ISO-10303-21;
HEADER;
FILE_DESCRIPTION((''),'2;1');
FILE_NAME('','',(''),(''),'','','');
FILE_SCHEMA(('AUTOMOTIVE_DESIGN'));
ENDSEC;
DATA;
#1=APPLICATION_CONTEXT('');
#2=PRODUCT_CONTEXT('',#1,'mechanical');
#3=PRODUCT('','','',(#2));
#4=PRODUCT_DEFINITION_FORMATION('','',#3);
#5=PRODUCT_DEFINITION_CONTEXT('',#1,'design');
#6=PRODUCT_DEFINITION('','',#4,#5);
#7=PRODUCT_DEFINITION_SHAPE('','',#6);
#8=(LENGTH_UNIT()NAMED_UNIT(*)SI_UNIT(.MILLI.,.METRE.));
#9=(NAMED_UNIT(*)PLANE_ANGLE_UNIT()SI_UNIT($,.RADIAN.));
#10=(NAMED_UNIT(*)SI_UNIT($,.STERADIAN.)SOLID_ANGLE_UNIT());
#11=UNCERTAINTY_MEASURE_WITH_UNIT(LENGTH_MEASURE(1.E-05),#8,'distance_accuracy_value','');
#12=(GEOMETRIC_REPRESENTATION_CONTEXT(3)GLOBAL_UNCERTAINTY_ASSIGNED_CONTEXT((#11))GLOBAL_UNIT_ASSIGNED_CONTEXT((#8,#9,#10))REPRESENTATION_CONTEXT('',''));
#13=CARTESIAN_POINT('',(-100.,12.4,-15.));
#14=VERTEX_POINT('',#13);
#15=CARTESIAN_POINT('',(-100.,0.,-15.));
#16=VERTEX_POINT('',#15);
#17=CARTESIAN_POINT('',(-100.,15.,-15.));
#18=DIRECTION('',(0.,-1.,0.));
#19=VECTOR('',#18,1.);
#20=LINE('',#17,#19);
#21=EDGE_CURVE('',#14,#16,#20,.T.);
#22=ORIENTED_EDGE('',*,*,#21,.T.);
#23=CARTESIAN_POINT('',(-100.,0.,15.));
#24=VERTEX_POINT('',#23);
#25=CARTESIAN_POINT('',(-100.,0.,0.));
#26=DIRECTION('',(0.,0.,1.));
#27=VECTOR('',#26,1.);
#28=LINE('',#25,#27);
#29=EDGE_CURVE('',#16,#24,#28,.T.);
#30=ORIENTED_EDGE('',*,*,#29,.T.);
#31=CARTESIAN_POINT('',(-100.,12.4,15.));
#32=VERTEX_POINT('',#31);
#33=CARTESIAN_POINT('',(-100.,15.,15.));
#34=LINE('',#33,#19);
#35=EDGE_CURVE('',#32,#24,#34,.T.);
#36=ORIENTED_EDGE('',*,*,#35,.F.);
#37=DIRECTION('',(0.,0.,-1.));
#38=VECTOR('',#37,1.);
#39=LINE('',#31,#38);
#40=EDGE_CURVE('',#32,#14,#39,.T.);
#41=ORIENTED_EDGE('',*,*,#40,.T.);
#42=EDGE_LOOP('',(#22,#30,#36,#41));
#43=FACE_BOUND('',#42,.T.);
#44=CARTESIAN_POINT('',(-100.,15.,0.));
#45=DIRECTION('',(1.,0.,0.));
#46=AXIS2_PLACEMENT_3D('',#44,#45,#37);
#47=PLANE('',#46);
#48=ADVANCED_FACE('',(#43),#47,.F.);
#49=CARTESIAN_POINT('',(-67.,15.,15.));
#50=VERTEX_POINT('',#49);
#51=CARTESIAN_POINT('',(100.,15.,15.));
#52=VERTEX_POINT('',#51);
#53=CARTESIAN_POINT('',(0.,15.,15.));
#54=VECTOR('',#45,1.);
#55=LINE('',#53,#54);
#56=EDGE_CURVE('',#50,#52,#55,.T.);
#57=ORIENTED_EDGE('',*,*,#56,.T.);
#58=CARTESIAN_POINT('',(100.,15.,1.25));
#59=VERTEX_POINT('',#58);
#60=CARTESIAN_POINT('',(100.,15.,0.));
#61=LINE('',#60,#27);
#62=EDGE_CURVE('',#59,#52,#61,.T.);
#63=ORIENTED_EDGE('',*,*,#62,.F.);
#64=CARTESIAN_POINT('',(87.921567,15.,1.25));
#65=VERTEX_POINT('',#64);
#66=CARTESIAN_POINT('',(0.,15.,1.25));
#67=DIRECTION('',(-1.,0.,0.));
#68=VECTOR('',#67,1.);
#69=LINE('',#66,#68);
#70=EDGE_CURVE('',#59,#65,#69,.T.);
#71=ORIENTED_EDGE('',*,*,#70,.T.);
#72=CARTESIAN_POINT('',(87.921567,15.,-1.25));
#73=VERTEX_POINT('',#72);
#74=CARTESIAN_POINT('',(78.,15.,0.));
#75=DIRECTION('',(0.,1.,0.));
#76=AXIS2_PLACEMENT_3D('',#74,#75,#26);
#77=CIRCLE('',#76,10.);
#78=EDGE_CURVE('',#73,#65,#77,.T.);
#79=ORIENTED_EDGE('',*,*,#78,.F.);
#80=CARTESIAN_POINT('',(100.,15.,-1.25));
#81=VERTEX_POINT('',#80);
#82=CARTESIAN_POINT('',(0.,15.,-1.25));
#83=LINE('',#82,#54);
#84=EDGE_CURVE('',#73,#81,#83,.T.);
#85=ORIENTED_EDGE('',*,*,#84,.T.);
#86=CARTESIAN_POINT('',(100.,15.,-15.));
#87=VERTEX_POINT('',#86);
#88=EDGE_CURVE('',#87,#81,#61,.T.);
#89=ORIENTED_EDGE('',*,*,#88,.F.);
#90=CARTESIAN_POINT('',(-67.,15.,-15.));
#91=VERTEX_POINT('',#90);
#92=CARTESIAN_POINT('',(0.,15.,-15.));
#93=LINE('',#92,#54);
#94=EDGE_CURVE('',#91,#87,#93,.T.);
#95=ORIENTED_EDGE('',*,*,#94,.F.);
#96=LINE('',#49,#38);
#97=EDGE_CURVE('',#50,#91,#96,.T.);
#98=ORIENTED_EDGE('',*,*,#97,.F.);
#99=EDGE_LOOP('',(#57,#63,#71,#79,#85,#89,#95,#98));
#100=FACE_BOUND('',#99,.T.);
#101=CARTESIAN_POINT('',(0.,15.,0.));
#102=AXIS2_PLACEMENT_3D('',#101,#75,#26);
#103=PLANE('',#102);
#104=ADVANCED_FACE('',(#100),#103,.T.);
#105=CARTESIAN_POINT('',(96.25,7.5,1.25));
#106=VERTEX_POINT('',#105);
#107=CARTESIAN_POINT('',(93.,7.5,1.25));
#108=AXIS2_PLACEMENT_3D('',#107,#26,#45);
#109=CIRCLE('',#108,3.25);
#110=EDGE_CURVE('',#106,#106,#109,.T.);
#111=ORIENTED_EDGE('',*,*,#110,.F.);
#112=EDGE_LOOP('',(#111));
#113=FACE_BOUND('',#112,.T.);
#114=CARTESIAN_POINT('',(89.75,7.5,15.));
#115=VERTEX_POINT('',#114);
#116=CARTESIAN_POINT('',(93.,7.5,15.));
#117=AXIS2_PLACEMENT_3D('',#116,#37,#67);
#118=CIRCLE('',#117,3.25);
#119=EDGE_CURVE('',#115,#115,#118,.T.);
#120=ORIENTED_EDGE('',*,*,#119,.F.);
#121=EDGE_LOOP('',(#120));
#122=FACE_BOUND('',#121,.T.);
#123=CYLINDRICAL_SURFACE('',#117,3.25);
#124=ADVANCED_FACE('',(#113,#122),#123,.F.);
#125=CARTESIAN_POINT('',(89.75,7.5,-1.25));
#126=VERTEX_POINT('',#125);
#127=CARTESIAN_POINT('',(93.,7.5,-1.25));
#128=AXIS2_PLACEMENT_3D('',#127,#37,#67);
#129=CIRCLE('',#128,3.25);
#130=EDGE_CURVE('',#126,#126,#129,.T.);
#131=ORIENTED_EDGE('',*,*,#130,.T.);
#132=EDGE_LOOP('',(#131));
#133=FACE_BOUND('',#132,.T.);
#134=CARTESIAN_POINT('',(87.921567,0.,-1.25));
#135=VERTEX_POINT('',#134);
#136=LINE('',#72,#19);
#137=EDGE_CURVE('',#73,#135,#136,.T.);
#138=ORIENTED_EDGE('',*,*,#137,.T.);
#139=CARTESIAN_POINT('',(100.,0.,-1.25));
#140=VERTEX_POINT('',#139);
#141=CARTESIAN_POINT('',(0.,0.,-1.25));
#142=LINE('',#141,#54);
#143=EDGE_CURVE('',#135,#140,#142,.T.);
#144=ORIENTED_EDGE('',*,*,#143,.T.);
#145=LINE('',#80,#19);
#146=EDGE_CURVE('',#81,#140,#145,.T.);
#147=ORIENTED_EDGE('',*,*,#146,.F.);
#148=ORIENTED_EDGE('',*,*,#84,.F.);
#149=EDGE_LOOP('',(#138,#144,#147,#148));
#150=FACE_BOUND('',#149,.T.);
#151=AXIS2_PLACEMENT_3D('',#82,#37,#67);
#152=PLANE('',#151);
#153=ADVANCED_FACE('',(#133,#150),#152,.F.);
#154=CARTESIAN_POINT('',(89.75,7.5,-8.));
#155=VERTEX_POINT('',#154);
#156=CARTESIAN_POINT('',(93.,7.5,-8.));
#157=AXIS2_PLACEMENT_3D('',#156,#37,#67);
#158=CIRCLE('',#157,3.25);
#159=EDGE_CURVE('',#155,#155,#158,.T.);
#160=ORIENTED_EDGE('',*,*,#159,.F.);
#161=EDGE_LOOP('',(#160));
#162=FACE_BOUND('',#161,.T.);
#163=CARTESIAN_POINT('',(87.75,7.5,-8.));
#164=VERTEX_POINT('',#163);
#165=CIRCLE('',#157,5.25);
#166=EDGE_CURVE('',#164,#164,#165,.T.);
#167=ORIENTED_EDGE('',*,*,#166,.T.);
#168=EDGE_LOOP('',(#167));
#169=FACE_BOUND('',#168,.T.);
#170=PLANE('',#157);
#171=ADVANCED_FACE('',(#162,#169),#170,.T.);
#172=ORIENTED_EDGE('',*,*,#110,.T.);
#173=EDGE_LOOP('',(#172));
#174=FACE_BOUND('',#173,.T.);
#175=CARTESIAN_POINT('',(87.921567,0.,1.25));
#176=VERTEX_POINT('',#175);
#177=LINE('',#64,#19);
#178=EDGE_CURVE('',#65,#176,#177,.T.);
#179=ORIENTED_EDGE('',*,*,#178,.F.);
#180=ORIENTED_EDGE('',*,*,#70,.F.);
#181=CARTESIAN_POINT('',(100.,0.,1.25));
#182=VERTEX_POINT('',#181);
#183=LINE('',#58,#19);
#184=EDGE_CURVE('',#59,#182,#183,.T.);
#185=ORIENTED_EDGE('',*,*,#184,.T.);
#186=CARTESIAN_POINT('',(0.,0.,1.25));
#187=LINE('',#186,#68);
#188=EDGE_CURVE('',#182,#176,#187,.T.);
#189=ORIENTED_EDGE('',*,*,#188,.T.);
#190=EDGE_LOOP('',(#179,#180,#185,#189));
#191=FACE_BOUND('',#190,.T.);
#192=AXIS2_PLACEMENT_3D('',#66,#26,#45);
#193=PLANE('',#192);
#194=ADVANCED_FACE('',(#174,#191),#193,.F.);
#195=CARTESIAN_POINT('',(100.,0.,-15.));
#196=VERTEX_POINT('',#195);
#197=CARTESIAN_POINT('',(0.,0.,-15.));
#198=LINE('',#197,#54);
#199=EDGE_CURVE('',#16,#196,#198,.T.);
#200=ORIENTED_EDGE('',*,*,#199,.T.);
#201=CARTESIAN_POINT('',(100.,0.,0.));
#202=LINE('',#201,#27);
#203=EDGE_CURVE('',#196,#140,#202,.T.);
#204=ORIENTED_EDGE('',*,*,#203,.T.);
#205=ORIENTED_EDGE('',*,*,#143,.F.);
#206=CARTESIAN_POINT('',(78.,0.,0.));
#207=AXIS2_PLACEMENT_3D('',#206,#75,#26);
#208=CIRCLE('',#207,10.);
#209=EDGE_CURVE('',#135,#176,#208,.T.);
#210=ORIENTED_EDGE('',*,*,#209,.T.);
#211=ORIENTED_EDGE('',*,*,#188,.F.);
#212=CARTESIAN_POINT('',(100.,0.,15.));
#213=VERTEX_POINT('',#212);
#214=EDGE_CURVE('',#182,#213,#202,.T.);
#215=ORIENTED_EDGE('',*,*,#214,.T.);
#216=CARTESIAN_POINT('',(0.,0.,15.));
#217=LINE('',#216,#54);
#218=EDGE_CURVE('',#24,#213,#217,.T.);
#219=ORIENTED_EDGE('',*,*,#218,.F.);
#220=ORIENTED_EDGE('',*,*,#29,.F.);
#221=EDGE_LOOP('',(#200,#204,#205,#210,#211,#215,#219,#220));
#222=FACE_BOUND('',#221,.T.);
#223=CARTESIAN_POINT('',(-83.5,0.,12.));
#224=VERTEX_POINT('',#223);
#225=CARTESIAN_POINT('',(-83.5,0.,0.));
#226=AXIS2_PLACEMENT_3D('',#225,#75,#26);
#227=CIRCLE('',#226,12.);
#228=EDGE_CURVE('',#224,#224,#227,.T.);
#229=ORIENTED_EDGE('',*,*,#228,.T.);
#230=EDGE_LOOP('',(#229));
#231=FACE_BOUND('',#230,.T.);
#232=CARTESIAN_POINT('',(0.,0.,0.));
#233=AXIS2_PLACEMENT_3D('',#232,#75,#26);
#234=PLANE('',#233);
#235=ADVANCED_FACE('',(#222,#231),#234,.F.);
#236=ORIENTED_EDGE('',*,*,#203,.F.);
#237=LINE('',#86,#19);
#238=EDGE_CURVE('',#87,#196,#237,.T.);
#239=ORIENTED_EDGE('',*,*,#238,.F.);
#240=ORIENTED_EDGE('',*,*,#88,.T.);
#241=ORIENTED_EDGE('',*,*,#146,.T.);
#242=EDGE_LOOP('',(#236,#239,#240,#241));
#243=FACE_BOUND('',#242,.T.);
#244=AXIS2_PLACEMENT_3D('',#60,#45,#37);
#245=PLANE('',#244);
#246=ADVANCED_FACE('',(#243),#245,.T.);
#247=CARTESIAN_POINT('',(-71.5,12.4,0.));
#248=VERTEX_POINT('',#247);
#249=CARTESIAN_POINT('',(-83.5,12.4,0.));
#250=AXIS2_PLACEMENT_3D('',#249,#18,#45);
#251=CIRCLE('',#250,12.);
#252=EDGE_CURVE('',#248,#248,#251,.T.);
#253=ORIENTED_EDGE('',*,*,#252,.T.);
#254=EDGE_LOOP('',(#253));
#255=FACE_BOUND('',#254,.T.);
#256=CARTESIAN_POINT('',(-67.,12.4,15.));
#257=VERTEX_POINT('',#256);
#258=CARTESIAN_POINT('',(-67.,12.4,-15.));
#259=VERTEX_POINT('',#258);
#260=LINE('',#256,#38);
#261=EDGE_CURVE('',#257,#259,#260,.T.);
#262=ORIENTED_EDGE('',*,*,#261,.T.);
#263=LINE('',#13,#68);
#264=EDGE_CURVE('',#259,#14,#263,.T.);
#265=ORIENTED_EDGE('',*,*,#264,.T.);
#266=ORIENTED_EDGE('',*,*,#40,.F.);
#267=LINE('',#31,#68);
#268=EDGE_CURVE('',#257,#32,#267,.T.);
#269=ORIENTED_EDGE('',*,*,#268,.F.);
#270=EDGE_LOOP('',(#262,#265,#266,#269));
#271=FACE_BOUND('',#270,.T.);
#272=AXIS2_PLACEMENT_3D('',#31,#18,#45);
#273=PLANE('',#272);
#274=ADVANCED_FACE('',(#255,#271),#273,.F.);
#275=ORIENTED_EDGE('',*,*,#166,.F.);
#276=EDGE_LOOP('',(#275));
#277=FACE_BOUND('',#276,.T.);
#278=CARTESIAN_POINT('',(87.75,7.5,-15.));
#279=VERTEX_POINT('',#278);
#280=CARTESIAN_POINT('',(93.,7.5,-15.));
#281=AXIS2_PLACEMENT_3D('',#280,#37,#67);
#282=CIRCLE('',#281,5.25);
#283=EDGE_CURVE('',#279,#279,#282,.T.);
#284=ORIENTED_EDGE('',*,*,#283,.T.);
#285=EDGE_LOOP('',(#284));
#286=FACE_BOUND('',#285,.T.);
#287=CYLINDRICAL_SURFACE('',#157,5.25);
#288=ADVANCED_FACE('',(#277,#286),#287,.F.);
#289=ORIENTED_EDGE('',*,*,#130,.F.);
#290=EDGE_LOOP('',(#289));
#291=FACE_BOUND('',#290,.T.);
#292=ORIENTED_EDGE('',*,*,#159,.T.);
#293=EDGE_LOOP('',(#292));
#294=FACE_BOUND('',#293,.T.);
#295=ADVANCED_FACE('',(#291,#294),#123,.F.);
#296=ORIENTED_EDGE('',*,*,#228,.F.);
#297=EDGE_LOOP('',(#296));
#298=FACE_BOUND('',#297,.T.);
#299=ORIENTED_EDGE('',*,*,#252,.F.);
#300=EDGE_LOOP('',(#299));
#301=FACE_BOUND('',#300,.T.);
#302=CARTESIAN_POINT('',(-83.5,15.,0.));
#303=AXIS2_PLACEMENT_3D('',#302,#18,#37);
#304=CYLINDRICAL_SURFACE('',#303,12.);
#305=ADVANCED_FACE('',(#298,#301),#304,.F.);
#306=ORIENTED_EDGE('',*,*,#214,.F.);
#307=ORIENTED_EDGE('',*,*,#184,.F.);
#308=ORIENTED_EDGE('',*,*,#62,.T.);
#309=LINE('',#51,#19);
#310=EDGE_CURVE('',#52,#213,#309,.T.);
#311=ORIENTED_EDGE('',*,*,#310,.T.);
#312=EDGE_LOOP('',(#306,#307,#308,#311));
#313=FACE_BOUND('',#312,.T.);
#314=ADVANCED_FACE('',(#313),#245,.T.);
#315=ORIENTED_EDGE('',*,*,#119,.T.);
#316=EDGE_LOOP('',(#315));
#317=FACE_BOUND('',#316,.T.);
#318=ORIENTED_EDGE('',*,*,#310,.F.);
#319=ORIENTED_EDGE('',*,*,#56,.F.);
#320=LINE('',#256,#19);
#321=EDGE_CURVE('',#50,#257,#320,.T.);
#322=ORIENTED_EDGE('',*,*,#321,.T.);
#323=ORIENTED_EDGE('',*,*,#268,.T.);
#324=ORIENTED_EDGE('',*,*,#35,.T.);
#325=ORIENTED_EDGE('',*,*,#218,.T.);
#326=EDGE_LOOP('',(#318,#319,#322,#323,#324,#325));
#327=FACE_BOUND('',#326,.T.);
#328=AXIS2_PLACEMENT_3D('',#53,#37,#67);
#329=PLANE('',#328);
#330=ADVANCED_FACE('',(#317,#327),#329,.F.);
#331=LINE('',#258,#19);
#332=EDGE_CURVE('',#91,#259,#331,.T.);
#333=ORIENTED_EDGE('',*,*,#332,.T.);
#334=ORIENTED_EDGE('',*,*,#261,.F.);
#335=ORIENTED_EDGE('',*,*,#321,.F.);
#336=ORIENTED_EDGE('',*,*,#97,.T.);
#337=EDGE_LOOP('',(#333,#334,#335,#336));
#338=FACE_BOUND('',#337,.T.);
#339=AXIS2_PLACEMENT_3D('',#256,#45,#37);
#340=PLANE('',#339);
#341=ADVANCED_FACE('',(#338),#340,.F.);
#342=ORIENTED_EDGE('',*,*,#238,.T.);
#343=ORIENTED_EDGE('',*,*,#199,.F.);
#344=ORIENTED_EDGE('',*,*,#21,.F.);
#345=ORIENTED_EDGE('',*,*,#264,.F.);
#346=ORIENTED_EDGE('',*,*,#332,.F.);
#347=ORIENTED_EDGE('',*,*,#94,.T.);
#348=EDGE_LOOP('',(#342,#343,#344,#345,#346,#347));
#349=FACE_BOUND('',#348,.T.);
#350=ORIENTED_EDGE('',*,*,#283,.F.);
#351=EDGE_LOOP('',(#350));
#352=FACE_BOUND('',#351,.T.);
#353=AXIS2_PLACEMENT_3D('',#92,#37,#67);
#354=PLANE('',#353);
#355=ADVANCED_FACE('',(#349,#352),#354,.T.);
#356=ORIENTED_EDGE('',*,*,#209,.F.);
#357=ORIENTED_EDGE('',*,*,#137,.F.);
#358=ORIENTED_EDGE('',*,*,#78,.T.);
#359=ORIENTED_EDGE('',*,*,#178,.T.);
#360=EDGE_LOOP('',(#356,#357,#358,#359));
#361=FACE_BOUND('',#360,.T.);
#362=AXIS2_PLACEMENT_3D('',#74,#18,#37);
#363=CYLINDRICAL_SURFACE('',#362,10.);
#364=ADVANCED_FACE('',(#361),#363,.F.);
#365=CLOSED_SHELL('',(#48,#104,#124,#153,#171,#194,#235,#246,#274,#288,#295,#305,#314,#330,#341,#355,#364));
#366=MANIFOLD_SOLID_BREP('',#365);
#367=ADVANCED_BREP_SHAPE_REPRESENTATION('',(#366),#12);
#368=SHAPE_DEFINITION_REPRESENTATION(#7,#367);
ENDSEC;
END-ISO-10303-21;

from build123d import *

# Parameters (mm, degrees)
SKETCH1_R           = 12
BOSS_EXTRUDE1_DEPTH = 15
SKETCH2_R           = 5.25
CUT_EXTRUDE1_DEPTH  = 7
SKETCH3_R           = 3.25
CUT_EXTRUDE2_DEPTH  = 24
SKETCH4_W           = 33
SKETCH4_H           = 2.6
CUT_EXTRUDE3_DEPTH  = 31


with BuildPart() as part:
    # Sketch1 → Boss-Extrude1 (new body)
    with BuildSketch(Plane(origin=(0, 0, 0), x_dir=(1, 0, 0), z_dir=(0, 1, 0))):
        with BuildLine():
            ThreePointArc((87.921567416, -1.25), (68, 0), (87.921567416, 1.25))
            Line((87.921567416, 1.25), (100, 1.25))
            Line((100, 1.25), (100, 15))
            Line((100, 15), (-100, 15))
            Line((-100, 15), (-100, -15))
            Line((-100, -15), (100, -15))
            Line((100, -15), (100, -1.25))
            Line((100, -1.25), (87.921567416, -1.25))
        make_face()
        with Locations((-83.5, 0)):
            Circle(SKETCH1_R, mode=Mode.SUBTRACT)
    extrude(amount=BOSS_EXTRUDE1_DEPTH)

    # Sketch2 → Cut-Extrude1 (cut)
    with BuildSketch(Plane(origin=(0, 0, -15), x_dir=(-1, 0, 0), z_dir=(0, 0, -1))):
        with Locations((-93, 7.5)):
            Circle(SKETCH2_R)
    extrude(amount=-CUT_EXTRUDE1_DEPTH, mode=Mode.SUBTRACT)

    # Sketch3 → Cut-Extrude2 (cut, through all)
    with BuildSketch(Plane(origin=(0, 0, -8), x_dir=(-1, 0, 0), z_dir=(0, 0, -1))):
        with Locations((-93, 7.5)):
            Circle(SKETCH3_R)
    extrude(amount=-CUT_EXTRUDE2_DEPTH, mode=Mode.SUBTRACT)

    # Sketch4 → Cut-Extrude3 (cut, through all)
    with BuildSketch(Plane(origin=(0, 0, -15), x_dir=(-1, 0, 0), z_dir=(0, 0, -1))):
        with Locations((83.5, 13.7)):
            Rectangle(SKETCH4_W, SKETCH4_H)
    extrude(amount=-CUT_EXTRUDE3_DEPTH, mode=Mode.SUBTRACT)


solid = part.part
